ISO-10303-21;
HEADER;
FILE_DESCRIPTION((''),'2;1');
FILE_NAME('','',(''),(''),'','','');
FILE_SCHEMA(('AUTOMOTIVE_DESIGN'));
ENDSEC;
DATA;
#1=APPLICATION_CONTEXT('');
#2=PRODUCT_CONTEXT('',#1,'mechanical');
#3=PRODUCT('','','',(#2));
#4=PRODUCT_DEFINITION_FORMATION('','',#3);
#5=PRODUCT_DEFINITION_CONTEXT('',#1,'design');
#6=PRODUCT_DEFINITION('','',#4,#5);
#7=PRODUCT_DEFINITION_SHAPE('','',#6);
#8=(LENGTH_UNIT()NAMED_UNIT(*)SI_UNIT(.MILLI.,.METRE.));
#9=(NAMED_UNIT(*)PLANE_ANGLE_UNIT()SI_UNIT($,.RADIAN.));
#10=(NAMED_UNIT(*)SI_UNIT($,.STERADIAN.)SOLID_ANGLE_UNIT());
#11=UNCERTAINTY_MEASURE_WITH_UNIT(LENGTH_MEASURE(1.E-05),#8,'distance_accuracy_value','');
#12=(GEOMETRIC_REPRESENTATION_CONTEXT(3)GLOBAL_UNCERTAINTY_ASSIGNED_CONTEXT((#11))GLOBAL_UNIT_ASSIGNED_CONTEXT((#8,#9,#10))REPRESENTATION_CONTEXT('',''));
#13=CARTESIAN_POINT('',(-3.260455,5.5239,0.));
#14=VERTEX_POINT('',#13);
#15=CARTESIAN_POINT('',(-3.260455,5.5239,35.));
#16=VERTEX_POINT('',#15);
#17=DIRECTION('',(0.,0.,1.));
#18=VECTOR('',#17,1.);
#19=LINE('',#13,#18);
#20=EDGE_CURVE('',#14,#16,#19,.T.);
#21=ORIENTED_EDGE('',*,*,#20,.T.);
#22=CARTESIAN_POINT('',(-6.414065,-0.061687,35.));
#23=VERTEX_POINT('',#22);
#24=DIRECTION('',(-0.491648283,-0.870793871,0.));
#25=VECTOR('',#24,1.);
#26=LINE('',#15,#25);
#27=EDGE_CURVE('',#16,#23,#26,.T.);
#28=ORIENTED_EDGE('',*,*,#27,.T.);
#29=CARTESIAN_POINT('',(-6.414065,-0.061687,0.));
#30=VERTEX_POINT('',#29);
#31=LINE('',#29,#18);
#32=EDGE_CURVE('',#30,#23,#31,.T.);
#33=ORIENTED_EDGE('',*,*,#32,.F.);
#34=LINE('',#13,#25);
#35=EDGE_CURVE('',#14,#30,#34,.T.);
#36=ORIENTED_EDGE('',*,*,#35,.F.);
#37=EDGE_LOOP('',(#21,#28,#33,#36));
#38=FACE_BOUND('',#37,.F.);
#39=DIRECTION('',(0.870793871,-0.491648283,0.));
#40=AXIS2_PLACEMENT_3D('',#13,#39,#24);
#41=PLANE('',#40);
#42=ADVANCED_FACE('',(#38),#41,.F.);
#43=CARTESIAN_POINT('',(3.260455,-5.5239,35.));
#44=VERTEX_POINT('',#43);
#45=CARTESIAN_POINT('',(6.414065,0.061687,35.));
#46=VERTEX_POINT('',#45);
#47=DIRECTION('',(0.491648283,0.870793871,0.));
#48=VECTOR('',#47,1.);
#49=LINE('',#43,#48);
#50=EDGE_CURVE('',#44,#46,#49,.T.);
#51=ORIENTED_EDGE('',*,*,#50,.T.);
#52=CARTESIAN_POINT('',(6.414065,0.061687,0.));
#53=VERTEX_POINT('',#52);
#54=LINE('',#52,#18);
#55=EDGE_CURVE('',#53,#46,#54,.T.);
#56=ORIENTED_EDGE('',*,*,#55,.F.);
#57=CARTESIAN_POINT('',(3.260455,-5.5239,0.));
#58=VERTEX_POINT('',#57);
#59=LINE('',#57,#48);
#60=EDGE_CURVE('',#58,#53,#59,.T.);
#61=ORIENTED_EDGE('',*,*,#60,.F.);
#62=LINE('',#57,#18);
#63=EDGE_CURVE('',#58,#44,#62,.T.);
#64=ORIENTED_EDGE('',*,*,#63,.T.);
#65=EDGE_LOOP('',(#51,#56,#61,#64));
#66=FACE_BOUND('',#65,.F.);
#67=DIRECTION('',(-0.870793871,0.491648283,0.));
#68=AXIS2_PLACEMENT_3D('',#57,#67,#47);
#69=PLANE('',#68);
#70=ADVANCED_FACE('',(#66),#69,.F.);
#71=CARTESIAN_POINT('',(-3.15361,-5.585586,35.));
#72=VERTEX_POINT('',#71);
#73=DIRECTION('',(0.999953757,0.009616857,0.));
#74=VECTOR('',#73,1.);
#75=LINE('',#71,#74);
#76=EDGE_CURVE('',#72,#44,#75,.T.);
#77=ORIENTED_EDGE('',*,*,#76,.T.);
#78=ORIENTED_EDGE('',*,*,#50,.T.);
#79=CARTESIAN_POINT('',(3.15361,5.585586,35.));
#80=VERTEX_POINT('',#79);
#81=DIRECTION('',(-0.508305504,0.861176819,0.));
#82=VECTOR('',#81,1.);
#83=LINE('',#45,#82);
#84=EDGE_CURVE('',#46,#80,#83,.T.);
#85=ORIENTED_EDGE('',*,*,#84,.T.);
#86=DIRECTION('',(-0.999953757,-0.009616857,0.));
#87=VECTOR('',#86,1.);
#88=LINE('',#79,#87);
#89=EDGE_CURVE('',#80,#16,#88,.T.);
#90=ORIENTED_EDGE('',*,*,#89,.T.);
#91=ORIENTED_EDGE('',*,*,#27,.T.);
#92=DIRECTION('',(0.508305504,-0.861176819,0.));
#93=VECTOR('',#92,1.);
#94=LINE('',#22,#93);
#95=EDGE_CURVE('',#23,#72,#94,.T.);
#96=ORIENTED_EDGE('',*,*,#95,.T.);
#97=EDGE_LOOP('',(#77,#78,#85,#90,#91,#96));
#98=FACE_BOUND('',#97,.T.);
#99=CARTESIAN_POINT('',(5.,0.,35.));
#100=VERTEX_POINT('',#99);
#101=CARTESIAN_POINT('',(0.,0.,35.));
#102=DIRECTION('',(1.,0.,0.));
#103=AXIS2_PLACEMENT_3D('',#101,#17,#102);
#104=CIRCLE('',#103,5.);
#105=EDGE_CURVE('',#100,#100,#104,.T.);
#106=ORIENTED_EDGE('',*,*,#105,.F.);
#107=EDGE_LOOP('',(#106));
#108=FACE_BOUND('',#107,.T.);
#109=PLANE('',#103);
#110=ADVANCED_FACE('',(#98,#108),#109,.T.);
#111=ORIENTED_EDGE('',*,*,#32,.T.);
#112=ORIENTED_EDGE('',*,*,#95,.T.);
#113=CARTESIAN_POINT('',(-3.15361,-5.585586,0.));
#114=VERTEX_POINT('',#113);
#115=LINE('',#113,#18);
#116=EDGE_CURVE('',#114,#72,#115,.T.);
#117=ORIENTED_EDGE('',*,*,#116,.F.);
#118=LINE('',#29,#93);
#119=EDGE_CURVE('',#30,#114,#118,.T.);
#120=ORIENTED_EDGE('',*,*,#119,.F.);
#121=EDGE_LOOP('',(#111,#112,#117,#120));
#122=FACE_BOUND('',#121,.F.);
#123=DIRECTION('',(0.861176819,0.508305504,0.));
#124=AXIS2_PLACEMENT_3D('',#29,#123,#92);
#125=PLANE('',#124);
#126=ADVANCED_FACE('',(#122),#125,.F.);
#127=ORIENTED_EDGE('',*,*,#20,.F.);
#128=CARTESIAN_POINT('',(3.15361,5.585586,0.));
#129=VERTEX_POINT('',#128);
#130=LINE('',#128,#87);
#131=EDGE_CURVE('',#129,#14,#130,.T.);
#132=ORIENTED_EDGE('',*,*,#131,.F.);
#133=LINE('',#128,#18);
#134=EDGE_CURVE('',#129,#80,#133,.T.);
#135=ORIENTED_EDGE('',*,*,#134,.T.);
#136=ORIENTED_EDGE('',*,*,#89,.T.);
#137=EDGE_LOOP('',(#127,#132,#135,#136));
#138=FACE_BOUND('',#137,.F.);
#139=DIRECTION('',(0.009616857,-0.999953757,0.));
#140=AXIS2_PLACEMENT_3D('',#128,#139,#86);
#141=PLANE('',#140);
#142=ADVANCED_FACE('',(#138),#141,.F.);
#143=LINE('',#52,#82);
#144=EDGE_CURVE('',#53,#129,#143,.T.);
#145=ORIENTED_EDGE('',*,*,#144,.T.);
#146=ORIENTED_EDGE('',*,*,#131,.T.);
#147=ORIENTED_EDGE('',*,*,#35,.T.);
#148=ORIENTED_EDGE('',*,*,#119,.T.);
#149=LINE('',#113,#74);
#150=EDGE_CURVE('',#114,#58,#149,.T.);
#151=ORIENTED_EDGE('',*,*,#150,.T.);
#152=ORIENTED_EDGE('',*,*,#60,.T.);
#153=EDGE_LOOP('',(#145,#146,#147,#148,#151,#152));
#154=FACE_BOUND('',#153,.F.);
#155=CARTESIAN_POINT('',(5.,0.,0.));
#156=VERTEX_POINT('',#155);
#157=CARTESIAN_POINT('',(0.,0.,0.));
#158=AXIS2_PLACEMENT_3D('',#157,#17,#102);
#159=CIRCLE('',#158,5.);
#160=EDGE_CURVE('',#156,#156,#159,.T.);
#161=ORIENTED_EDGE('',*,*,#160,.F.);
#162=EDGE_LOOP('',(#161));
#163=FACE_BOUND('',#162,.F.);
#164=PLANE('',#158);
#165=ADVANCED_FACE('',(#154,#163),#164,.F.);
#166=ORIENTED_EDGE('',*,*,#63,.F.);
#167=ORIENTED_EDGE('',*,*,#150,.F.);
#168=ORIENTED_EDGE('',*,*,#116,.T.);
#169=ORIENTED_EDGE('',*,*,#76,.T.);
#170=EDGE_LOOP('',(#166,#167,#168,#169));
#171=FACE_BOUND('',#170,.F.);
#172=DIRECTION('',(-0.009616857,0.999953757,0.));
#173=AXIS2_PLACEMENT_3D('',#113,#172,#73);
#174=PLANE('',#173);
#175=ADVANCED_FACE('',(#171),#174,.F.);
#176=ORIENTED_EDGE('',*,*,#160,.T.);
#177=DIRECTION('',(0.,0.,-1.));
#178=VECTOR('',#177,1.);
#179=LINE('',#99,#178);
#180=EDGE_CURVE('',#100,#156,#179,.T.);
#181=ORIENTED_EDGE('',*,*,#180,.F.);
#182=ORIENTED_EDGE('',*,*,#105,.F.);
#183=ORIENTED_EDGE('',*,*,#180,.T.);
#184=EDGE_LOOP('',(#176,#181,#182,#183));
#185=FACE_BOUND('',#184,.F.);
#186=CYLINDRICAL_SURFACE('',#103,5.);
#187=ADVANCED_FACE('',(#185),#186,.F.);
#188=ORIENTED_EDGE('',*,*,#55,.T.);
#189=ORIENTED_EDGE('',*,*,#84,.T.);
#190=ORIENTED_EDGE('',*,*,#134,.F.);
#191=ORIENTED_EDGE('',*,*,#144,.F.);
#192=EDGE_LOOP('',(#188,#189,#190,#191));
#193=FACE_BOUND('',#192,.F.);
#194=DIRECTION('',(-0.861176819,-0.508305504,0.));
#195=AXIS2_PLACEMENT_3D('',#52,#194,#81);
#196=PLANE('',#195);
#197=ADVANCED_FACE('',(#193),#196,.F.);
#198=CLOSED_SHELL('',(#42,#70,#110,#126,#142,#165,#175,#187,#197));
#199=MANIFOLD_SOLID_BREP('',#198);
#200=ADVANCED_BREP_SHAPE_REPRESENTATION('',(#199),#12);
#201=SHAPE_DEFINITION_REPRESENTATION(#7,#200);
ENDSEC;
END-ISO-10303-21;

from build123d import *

# Parameters (mm, degrees)
F1_DEPTH = 35
F2_R     = 5
F3_DEPTH = 35


with BuildPart() as f1:
    # F0 (on Top) → F1 (new body)
    with BuildSketch(Plane.XY):
        Polygon((-3.260455, 5.5239), (-6.414065, -0.061687), (-3.15361, -5.585586), (3.260455, -5.5239), (6.414065, 0.061687), (3.15361, 5.585586), align=None)
    extrude(amount=F1_DEPTH)

    # F2 (on face) → F3 (cut)
    with BuildSketch(Plane.XY.offset(35)):
        Circle(F2_R)
    extrude(amount=-F3_DEPTH, mode=Mode.SUBTRACT)


solid = f1.part
